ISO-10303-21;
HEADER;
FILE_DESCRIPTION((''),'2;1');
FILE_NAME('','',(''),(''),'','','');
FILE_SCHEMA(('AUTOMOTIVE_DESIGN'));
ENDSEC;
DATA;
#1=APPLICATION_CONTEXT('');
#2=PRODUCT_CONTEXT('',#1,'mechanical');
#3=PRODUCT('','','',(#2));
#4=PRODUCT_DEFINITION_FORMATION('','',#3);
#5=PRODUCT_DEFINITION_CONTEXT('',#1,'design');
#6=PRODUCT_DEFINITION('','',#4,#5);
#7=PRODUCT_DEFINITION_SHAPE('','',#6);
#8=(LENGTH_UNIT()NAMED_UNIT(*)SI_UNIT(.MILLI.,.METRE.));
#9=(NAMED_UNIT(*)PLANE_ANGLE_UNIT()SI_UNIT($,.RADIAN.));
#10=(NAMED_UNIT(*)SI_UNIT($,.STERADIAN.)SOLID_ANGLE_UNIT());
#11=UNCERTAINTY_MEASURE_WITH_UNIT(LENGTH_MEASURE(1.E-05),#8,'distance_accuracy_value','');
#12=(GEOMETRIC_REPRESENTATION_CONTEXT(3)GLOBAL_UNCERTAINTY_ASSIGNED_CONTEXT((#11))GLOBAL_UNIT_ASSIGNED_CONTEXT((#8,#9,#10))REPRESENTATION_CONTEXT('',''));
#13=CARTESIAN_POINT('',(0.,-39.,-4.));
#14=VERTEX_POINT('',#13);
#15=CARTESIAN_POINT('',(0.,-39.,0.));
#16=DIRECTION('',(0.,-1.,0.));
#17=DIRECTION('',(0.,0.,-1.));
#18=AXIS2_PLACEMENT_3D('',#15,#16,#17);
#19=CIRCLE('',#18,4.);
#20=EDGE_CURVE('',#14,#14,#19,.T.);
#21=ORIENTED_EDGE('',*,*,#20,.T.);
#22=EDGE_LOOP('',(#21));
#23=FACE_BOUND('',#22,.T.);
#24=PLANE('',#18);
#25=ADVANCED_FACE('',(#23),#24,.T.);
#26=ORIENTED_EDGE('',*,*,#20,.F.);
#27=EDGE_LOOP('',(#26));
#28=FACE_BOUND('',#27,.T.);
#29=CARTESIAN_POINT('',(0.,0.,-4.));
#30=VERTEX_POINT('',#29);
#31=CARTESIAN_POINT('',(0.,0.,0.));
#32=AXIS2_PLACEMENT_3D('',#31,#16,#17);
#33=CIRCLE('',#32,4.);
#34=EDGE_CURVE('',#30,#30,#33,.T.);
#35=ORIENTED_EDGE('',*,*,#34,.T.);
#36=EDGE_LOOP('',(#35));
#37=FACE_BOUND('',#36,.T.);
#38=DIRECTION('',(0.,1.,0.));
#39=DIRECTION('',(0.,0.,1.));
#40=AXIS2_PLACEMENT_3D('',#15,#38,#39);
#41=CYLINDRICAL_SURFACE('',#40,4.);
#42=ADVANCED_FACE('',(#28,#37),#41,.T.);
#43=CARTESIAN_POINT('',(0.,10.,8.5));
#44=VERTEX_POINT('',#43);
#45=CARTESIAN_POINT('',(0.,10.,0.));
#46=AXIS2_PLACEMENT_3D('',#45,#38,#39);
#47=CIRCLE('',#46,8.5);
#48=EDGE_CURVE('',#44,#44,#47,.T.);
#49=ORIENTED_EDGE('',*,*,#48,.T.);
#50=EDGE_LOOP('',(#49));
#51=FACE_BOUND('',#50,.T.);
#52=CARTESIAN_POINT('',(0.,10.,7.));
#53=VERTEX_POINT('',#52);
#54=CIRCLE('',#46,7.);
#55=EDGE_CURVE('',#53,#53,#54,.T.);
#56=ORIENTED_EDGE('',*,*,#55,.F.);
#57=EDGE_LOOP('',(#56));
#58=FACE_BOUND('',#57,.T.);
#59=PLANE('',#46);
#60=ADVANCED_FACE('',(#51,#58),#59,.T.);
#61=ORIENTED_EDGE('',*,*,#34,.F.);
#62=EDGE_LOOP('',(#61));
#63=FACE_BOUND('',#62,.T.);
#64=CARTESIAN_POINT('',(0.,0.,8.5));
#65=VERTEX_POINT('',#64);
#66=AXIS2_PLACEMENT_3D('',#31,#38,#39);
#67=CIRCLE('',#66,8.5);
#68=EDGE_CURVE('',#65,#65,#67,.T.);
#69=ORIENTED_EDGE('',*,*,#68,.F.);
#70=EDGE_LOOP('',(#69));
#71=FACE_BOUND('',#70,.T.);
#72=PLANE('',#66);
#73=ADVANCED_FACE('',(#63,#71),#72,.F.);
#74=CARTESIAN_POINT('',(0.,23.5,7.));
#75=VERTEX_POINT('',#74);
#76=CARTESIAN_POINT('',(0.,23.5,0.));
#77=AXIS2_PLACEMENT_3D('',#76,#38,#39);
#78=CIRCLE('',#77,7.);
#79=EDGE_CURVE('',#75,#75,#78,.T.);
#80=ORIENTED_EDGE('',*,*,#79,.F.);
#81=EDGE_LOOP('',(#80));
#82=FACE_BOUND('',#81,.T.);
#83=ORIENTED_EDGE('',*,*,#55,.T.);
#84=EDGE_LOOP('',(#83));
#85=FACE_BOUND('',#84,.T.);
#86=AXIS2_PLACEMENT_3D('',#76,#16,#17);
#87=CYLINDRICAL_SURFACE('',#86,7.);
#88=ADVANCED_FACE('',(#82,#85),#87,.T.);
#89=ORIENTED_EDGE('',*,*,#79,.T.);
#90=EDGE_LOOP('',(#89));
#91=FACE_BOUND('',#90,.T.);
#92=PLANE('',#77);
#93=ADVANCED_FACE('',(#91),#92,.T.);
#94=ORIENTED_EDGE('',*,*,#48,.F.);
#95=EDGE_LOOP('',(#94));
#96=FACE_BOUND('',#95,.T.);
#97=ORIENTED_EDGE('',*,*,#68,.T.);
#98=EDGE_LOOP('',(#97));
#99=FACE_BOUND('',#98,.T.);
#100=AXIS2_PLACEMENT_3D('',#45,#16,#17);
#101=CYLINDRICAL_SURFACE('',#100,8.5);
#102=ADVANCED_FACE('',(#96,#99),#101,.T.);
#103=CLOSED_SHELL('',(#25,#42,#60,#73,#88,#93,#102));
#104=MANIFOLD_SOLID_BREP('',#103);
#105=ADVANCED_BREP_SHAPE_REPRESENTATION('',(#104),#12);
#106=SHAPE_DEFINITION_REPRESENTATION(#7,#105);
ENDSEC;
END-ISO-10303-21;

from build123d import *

# Parameters (mm, degrees)
ESBO_O1_R                = 8.5
RESSALTO_EXTRUS_O1_DEPTH = 10
ESBO_O2_R                = 7
RESSALTO_EXTRUS_O2_DEPTH = 13.5
ESBO_O3_R                = 4
RESSALTO_EXTRUS_O3_DEPTH = 39


with BuildPart() as part:
    # Esboço1 → Ressalto-extrusão1 (new body)
    with BuildSketch(Plane(origin=(0, 0, 0), x_dir=(1, 0, 0), z_dir=(0, 1, 0))):
        Circle(ESBO_O1_R)
    extrude(amount=RESSALTO_EXTRUS_O1_DEPTH)

    # Esboço2 → Ressalto-extrusão2 (add)
    with BuildSketch(Plane(origin=(0, 10, 0), x_dir=(1, 0, 0), z_dir=(0, 1, 0))):
        Circle(ESBO_O2_R)
    extrude(amount=RESSALTO_EXTRUS_O2_DEPTH)

    # Esboço3 → Ressalto-extrusão3 (add)
    with BuildSketch(Plane.XZ):
        Circle(ESBO_O3_R)
    extrude(amount=RESSALTO_EXTRUS_O3_DEPTH)


solid = part.part
